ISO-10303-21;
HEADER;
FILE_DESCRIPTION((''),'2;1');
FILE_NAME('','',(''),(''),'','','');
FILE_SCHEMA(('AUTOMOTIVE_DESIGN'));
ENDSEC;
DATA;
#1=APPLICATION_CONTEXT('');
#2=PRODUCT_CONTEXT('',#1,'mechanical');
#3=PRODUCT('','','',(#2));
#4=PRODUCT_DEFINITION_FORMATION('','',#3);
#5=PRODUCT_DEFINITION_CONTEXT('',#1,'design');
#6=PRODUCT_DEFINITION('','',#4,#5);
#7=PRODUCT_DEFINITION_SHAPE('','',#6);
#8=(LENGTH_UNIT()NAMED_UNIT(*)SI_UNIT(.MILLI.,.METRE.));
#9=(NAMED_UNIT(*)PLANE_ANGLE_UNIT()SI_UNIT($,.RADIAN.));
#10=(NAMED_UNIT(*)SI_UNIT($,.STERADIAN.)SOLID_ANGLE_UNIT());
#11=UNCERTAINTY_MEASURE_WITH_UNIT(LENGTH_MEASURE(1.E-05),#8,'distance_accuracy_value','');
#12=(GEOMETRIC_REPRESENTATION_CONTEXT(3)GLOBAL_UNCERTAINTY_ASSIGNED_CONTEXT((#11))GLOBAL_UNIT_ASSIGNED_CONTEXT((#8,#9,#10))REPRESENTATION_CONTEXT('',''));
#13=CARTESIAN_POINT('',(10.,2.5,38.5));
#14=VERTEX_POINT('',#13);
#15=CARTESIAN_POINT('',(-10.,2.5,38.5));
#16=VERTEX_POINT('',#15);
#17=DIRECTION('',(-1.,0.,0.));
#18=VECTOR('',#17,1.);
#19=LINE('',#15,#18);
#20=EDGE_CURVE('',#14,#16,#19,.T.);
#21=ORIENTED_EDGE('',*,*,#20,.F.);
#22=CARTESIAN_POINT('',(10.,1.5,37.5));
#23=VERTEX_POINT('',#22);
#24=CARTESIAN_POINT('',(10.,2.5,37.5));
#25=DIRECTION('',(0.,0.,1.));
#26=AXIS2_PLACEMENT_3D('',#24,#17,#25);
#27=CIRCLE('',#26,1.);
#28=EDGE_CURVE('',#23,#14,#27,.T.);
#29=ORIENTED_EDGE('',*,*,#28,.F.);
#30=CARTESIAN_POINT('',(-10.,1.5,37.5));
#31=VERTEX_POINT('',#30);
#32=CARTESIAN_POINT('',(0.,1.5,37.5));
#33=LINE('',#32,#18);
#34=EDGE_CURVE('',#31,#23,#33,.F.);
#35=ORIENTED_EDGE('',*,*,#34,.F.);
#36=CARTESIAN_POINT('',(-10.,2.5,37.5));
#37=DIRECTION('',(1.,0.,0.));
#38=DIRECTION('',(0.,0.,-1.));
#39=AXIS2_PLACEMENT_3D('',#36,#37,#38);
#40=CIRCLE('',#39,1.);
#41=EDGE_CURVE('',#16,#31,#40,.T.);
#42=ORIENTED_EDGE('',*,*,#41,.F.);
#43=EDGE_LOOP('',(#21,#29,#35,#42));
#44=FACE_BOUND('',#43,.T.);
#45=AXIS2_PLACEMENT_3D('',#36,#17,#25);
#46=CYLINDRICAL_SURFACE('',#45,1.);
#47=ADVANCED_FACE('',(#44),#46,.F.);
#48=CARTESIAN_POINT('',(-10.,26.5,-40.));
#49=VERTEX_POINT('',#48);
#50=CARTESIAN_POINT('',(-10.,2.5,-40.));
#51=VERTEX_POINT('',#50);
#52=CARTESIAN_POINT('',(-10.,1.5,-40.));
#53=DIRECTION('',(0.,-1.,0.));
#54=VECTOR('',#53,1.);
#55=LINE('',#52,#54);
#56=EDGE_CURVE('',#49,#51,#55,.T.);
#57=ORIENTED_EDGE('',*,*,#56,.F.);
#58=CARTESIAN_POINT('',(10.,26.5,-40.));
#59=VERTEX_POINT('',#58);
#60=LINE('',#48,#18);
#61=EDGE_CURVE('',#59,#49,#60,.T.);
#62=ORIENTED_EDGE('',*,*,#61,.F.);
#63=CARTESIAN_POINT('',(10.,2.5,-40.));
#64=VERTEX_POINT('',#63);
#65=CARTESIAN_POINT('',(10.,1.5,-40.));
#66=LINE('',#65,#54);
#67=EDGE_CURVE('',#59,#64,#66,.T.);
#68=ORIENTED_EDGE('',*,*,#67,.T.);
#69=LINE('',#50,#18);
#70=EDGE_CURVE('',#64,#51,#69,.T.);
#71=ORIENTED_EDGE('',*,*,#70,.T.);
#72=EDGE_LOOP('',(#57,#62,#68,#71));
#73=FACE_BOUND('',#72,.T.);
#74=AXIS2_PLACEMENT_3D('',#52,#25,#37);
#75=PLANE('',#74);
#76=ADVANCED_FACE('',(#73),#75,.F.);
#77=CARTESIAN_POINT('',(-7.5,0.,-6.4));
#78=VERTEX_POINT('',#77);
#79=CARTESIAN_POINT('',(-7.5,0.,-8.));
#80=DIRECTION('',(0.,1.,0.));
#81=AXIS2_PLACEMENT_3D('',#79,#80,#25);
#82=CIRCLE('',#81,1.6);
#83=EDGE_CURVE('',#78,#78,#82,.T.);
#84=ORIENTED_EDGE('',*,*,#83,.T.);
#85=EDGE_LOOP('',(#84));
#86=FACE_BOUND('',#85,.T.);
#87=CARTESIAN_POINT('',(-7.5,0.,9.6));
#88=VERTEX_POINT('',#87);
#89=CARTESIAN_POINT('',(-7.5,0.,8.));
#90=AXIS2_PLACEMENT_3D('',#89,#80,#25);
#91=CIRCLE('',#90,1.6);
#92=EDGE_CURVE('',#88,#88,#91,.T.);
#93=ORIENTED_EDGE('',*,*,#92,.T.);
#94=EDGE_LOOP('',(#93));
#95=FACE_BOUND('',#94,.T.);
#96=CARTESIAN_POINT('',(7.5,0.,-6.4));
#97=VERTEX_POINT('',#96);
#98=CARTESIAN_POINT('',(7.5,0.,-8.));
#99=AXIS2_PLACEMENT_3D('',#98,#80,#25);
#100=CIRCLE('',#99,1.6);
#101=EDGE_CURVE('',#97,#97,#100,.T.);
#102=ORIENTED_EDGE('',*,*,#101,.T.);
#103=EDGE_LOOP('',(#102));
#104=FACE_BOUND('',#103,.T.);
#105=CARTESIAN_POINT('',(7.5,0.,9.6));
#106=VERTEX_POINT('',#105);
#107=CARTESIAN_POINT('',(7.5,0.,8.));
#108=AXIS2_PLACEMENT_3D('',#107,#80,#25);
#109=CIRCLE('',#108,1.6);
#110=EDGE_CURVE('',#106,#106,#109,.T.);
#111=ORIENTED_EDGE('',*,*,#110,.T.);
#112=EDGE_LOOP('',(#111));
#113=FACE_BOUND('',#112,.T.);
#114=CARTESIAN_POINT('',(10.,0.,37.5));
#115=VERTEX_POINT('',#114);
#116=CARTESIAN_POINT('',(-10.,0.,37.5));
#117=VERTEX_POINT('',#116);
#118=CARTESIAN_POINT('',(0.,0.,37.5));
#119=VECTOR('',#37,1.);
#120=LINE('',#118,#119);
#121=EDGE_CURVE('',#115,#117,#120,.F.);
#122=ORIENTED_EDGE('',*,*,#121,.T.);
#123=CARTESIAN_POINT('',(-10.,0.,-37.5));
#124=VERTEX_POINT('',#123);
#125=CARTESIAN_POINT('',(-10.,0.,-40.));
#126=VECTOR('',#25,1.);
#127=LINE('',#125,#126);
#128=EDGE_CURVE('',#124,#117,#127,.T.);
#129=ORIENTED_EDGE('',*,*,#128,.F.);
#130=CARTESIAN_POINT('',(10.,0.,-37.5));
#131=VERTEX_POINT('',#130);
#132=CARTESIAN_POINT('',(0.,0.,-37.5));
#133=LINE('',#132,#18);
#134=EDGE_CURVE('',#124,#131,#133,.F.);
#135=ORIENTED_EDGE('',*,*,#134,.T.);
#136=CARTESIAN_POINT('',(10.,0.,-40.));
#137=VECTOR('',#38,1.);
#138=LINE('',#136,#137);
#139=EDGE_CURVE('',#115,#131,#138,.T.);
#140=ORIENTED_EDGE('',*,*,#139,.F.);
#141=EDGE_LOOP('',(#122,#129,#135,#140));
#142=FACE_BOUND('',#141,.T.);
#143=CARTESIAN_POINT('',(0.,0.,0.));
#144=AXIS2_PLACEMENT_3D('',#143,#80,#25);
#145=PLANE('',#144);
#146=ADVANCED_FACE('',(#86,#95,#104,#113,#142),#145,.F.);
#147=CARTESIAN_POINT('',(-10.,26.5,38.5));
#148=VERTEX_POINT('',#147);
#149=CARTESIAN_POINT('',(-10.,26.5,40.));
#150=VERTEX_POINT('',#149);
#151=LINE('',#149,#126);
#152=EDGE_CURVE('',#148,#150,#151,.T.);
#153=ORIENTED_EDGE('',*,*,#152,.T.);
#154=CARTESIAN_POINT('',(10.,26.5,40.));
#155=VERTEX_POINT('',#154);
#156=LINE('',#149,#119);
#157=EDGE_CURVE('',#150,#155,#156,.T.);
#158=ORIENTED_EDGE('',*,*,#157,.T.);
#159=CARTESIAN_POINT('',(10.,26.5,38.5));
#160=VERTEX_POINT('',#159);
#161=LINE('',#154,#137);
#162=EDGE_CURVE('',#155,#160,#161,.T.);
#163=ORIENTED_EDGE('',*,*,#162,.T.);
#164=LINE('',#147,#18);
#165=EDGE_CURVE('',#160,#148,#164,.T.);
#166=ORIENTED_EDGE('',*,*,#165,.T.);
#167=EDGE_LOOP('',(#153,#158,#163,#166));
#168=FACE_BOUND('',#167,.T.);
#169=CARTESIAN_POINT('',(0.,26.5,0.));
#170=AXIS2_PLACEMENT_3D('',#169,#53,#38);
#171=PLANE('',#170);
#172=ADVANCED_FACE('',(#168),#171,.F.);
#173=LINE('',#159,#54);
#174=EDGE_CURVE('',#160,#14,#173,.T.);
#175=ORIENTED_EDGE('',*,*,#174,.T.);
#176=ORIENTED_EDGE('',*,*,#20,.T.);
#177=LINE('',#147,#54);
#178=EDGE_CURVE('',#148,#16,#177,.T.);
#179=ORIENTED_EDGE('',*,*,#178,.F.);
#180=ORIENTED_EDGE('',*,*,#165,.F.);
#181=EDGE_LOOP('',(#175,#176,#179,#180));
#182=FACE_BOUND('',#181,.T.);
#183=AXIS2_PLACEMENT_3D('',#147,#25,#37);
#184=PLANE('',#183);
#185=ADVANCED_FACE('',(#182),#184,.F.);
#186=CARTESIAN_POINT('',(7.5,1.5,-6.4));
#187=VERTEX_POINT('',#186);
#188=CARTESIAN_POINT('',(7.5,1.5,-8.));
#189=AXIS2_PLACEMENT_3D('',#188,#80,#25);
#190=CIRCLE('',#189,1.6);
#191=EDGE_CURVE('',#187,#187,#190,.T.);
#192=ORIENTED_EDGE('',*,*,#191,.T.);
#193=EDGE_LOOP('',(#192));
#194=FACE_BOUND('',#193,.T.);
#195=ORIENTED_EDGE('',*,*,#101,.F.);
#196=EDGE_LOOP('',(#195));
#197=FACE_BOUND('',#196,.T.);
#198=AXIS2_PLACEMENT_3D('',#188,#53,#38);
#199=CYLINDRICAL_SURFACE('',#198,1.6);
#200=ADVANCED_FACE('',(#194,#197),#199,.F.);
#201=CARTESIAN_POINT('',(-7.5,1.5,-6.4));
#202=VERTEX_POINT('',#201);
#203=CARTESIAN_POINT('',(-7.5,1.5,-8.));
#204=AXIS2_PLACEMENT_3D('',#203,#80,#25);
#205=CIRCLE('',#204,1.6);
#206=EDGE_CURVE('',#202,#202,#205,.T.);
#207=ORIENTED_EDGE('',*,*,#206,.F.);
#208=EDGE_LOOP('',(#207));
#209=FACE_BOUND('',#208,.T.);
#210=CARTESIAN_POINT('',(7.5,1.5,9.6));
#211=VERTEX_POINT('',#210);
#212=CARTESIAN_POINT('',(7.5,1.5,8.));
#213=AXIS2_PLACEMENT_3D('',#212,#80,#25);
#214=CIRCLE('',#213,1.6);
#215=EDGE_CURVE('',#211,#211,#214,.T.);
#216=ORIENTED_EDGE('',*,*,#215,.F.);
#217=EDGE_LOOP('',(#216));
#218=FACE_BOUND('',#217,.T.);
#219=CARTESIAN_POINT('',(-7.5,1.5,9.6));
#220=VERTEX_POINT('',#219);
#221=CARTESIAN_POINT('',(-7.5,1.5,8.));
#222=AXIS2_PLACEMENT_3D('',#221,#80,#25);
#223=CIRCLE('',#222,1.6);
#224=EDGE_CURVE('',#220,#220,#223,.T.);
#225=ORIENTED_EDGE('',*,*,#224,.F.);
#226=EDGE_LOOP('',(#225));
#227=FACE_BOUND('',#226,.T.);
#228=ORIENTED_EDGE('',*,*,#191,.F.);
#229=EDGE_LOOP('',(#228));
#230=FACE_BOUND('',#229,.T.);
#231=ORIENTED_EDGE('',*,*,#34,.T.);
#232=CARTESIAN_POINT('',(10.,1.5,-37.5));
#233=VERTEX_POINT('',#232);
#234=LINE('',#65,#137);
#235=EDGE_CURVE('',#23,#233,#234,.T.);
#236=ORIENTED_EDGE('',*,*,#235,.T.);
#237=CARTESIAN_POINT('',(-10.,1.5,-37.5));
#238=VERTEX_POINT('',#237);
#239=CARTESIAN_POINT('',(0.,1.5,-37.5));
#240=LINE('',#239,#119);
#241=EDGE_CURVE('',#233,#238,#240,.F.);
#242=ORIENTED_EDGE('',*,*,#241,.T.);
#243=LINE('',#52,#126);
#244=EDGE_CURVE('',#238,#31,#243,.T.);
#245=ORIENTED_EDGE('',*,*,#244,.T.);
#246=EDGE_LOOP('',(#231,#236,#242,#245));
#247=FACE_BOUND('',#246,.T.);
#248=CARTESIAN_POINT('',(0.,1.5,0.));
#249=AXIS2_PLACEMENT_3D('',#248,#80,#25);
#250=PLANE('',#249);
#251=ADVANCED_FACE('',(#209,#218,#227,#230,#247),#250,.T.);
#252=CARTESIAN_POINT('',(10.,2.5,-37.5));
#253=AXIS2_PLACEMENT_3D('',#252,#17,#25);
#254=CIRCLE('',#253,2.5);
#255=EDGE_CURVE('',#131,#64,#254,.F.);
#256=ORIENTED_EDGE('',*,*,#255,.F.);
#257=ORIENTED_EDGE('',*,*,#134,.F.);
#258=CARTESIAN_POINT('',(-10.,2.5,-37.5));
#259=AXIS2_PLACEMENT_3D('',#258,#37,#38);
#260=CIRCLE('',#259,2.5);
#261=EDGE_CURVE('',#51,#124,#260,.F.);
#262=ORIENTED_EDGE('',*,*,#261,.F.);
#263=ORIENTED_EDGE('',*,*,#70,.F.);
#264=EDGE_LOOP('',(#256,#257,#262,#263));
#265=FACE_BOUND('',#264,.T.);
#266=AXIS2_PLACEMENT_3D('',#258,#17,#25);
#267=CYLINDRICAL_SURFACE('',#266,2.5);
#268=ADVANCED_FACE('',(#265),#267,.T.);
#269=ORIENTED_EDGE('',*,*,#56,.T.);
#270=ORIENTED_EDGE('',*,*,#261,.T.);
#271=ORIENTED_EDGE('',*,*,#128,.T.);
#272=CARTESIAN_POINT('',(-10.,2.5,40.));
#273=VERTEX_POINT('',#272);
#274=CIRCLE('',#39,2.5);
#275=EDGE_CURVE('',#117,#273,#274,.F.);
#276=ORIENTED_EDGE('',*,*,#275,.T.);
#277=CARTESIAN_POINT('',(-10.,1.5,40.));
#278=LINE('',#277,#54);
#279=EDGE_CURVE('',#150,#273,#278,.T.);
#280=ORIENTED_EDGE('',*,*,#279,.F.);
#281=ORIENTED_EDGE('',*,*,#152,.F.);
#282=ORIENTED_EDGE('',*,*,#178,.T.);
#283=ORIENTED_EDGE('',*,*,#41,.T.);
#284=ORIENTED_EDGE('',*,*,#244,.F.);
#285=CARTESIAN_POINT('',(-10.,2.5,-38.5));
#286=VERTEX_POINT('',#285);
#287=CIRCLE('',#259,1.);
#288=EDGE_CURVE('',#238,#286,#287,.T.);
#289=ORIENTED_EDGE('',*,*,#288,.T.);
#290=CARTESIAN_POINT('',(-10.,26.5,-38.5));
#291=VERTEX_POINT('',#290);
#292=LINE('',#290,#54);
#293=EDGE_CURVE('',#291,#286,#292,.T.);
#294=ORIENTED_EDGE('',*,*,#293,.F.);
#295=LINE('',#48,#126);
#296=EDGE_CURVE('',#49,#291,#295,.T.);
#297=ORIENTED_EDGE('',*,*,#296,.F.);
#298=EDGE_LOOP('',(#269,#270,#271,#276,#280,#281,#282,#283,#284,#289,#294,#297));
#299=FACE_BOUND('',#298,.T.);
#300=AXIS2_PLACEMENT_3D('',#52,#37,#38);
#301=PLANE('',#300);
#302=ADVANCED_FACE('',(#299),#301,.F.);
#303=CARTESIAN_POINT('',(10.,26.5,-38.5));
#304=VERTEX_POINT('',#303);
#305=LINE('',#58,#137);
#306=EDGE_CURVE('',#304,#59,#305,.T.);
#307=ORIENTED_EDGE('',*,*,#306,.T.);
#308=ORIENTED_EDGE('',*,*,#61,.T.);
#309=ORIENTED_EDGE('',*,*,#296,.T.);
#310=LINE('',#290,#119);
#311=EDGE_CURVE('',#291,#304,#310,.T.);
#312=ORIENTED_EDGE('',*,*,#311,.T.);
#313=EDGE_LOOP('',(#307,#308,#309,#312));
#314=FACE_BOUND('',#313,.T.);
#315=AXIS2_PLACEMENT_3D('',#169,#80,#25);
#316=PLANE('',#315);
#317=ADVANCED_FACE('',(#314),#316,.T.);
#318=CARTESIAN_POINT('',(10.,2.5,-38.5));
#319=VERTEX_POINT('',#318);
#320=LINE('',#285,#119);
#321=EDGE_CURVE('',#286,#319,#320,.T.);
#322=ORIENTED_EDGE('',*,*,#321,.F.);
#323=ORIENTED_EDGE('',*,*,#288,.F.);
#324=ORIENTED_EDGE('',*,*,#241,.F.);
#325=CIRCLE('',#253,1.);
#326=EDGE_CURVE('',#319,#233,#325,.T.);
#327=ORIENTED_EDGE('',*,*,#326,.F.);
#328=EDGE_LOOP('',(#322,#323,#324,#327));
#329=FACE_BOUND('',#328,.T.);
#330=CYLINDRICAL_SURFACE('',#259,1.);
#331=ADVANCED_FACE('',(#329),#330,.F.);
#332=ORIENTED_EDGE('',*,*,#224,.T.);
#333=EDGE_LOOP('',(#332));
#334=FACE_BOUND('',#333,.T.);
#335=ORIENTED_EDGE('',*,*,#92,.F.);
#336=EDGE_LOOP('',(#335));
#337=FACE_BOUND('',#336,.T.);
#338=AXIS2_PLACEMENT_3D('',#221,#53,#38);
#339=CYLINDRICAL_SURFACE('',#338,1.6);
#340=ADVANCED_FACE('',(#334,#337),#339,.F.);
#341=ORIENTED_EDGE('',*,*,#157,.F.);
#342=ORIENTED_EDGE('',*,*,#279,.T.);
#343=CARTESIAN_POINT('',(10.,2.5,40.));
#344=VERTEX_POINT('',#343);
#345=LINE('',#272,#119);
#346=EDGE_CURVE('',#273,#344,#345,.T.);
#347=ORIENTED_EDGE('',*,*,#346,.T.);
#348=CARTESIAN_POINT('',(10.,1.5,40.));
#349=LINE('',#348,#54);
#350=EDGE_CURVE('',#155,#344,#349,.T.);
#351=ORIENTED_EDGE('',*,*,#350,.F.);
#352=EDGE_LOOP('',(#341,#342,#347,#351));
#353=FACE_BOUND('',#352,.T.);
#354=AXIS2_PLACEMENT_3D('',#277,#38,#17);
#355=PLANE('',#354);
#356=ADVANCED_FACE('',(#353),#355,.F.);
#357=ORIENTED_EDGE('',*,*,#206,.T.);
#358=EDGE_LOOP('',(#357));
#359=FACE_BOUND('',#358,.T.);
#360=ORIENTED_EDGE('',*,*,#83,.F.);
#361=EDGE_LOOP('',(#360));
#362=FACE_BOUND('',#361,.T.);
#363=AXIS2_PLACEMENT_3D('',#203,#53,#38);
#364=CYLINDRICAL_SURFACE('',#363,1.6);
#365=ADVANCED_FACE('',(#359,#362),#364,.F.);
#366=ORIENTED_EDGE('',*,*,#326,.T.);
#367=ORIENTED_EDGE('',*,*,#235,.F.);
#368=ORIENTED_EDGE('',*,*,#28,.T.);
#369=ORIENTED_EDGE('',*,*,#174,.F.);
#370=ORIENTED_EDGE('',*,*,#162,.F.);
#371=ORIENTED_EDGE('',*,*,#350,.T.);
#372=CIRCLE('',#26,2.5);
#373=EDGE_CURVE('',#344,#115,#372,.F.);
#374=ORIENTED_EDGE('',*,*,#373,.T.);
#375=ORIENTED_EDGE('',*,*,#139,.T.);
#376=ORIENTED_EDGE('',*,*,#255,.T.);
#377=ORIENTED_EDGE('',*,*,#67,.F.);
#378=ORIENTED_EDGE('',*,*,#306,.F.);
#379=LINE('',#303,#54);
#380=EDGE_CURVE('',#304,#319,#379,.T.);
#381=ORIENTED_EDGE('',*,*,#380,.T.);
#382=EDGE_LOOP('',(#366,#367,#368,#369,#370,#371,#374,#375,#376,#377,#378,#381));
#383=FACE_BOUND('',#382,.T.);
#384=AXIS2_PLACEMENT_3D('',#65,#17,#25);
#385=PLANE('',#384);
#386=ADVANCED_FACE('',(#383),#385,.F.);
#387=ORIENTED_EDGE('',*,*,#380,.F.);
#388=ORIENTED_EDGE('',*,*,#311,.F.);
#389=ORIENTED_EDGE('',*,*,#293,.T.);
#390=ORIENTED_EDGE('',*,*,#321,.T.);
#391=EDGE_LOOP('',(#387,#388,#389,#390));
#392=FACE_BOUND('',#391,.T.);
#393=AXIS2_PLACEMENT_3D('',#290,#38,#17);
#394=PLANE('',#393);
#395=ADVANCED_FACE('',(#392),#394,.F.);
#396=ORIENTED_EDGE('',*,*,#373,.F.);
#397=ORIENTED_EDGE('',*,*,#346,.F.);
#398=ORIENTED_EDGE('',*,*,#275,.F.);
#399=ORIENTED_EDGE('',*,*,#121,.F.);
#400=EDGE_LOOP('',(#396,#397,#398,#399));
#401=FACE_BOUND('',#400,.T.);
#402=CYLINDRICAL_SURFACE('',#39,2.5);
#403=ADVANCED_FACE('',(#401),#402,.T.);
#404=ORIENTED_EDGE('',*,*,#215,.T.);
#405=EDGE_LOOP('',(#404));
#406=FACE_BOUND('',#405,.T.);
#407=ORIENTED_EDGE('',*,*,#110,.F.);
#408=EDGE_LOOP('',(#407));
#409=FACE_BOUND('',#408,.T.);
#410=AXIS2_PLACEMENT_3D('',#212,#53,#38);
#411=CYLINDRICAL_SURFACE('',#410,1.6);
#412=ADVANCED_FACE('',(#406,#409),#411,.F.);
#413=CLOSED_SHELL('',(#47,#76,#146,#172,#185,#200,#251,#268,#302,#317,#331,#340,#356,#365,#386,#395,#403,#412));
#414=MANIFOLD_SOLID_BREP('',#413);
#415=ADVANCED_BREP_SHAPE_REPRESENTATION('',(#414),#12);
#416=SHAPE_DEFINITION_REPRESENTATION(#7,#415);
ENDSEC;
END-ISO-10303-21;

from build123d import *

# Parameters (mm, degrees)
SKETCH2_W           = 20
SKETCH2_H           = 80
SKETCH2_R           = 1.6
BOSS_EXTRUDE1_DEPTH = 1.5
SKETCH3_W           = 20
SKETCH3_H           = 1.5
BOSS_EXTRUDE2_DEPTH = 25
FILLET1_R           = 1
FILLET2_R           = 2.5


with BuildPart() as part:
    # Sketch2 → Boss-Extrude1 (new body)
    with BuildSketch(Plane(origin=(0, 0, 0), x_dir=(1, 0, 0), z_dir=(0, 1, 0))):
        Rectangle(SKETCH2_W, SKETCH2_H)
        with Locations((-7.5, 8)):
            Circle(SKETCH2_R, mode=Mode.SUBTRACT)
        with Locations((7.5, 8)):
            Circle(SKETCH2_R, mode=Mode.SUBTRACT)
        with Locations((-7.5, -8)):
            Circle(SKETCH2_R, mode=Mode.SUBTRACT)
        with Locations((7.5, -8)):
            Circle(SKETCH2_R, mode=Mode.SUBTRACT)
    extrude(amount=BOSS_EXTRUDE1_DEPTH)

    # Sketch3 → Boss-Extrude2 (add)
    with BuildSketch(Plane(origin=(0, 1.5, 0), x_dir=(1, 0, 0), z_dir=(0, 1, 0))):
        with Locations((0, 39.25)):
            Rectangle(SKETCH3_W, SKETCH3_H)
        with Locations((0, -39.25)):
            Rectangle(SKETCH3_W, SKETCH3_H)
    extrude(amount=BOSS_EXTRUDE2_DEPTH)

    # Fillet1
    fillet1_edges = [part.edges().sort_by_distance(p)[0] for p in [
        (0, 1.5, -38.5),
        (0, 1.5, 38.5),
    ]]
    fillet(fillet1_edges, radius=FILLET1_R)

    # Fillet2
    fillet2_edges = [part.edges().sort_by_distance(p)[0] for p in [
        (0, 0, 40),
        (0, 0, -40),
    ]]
    fillet(fillet2_edges, radius=FILLET2_R)


solid = part.part
